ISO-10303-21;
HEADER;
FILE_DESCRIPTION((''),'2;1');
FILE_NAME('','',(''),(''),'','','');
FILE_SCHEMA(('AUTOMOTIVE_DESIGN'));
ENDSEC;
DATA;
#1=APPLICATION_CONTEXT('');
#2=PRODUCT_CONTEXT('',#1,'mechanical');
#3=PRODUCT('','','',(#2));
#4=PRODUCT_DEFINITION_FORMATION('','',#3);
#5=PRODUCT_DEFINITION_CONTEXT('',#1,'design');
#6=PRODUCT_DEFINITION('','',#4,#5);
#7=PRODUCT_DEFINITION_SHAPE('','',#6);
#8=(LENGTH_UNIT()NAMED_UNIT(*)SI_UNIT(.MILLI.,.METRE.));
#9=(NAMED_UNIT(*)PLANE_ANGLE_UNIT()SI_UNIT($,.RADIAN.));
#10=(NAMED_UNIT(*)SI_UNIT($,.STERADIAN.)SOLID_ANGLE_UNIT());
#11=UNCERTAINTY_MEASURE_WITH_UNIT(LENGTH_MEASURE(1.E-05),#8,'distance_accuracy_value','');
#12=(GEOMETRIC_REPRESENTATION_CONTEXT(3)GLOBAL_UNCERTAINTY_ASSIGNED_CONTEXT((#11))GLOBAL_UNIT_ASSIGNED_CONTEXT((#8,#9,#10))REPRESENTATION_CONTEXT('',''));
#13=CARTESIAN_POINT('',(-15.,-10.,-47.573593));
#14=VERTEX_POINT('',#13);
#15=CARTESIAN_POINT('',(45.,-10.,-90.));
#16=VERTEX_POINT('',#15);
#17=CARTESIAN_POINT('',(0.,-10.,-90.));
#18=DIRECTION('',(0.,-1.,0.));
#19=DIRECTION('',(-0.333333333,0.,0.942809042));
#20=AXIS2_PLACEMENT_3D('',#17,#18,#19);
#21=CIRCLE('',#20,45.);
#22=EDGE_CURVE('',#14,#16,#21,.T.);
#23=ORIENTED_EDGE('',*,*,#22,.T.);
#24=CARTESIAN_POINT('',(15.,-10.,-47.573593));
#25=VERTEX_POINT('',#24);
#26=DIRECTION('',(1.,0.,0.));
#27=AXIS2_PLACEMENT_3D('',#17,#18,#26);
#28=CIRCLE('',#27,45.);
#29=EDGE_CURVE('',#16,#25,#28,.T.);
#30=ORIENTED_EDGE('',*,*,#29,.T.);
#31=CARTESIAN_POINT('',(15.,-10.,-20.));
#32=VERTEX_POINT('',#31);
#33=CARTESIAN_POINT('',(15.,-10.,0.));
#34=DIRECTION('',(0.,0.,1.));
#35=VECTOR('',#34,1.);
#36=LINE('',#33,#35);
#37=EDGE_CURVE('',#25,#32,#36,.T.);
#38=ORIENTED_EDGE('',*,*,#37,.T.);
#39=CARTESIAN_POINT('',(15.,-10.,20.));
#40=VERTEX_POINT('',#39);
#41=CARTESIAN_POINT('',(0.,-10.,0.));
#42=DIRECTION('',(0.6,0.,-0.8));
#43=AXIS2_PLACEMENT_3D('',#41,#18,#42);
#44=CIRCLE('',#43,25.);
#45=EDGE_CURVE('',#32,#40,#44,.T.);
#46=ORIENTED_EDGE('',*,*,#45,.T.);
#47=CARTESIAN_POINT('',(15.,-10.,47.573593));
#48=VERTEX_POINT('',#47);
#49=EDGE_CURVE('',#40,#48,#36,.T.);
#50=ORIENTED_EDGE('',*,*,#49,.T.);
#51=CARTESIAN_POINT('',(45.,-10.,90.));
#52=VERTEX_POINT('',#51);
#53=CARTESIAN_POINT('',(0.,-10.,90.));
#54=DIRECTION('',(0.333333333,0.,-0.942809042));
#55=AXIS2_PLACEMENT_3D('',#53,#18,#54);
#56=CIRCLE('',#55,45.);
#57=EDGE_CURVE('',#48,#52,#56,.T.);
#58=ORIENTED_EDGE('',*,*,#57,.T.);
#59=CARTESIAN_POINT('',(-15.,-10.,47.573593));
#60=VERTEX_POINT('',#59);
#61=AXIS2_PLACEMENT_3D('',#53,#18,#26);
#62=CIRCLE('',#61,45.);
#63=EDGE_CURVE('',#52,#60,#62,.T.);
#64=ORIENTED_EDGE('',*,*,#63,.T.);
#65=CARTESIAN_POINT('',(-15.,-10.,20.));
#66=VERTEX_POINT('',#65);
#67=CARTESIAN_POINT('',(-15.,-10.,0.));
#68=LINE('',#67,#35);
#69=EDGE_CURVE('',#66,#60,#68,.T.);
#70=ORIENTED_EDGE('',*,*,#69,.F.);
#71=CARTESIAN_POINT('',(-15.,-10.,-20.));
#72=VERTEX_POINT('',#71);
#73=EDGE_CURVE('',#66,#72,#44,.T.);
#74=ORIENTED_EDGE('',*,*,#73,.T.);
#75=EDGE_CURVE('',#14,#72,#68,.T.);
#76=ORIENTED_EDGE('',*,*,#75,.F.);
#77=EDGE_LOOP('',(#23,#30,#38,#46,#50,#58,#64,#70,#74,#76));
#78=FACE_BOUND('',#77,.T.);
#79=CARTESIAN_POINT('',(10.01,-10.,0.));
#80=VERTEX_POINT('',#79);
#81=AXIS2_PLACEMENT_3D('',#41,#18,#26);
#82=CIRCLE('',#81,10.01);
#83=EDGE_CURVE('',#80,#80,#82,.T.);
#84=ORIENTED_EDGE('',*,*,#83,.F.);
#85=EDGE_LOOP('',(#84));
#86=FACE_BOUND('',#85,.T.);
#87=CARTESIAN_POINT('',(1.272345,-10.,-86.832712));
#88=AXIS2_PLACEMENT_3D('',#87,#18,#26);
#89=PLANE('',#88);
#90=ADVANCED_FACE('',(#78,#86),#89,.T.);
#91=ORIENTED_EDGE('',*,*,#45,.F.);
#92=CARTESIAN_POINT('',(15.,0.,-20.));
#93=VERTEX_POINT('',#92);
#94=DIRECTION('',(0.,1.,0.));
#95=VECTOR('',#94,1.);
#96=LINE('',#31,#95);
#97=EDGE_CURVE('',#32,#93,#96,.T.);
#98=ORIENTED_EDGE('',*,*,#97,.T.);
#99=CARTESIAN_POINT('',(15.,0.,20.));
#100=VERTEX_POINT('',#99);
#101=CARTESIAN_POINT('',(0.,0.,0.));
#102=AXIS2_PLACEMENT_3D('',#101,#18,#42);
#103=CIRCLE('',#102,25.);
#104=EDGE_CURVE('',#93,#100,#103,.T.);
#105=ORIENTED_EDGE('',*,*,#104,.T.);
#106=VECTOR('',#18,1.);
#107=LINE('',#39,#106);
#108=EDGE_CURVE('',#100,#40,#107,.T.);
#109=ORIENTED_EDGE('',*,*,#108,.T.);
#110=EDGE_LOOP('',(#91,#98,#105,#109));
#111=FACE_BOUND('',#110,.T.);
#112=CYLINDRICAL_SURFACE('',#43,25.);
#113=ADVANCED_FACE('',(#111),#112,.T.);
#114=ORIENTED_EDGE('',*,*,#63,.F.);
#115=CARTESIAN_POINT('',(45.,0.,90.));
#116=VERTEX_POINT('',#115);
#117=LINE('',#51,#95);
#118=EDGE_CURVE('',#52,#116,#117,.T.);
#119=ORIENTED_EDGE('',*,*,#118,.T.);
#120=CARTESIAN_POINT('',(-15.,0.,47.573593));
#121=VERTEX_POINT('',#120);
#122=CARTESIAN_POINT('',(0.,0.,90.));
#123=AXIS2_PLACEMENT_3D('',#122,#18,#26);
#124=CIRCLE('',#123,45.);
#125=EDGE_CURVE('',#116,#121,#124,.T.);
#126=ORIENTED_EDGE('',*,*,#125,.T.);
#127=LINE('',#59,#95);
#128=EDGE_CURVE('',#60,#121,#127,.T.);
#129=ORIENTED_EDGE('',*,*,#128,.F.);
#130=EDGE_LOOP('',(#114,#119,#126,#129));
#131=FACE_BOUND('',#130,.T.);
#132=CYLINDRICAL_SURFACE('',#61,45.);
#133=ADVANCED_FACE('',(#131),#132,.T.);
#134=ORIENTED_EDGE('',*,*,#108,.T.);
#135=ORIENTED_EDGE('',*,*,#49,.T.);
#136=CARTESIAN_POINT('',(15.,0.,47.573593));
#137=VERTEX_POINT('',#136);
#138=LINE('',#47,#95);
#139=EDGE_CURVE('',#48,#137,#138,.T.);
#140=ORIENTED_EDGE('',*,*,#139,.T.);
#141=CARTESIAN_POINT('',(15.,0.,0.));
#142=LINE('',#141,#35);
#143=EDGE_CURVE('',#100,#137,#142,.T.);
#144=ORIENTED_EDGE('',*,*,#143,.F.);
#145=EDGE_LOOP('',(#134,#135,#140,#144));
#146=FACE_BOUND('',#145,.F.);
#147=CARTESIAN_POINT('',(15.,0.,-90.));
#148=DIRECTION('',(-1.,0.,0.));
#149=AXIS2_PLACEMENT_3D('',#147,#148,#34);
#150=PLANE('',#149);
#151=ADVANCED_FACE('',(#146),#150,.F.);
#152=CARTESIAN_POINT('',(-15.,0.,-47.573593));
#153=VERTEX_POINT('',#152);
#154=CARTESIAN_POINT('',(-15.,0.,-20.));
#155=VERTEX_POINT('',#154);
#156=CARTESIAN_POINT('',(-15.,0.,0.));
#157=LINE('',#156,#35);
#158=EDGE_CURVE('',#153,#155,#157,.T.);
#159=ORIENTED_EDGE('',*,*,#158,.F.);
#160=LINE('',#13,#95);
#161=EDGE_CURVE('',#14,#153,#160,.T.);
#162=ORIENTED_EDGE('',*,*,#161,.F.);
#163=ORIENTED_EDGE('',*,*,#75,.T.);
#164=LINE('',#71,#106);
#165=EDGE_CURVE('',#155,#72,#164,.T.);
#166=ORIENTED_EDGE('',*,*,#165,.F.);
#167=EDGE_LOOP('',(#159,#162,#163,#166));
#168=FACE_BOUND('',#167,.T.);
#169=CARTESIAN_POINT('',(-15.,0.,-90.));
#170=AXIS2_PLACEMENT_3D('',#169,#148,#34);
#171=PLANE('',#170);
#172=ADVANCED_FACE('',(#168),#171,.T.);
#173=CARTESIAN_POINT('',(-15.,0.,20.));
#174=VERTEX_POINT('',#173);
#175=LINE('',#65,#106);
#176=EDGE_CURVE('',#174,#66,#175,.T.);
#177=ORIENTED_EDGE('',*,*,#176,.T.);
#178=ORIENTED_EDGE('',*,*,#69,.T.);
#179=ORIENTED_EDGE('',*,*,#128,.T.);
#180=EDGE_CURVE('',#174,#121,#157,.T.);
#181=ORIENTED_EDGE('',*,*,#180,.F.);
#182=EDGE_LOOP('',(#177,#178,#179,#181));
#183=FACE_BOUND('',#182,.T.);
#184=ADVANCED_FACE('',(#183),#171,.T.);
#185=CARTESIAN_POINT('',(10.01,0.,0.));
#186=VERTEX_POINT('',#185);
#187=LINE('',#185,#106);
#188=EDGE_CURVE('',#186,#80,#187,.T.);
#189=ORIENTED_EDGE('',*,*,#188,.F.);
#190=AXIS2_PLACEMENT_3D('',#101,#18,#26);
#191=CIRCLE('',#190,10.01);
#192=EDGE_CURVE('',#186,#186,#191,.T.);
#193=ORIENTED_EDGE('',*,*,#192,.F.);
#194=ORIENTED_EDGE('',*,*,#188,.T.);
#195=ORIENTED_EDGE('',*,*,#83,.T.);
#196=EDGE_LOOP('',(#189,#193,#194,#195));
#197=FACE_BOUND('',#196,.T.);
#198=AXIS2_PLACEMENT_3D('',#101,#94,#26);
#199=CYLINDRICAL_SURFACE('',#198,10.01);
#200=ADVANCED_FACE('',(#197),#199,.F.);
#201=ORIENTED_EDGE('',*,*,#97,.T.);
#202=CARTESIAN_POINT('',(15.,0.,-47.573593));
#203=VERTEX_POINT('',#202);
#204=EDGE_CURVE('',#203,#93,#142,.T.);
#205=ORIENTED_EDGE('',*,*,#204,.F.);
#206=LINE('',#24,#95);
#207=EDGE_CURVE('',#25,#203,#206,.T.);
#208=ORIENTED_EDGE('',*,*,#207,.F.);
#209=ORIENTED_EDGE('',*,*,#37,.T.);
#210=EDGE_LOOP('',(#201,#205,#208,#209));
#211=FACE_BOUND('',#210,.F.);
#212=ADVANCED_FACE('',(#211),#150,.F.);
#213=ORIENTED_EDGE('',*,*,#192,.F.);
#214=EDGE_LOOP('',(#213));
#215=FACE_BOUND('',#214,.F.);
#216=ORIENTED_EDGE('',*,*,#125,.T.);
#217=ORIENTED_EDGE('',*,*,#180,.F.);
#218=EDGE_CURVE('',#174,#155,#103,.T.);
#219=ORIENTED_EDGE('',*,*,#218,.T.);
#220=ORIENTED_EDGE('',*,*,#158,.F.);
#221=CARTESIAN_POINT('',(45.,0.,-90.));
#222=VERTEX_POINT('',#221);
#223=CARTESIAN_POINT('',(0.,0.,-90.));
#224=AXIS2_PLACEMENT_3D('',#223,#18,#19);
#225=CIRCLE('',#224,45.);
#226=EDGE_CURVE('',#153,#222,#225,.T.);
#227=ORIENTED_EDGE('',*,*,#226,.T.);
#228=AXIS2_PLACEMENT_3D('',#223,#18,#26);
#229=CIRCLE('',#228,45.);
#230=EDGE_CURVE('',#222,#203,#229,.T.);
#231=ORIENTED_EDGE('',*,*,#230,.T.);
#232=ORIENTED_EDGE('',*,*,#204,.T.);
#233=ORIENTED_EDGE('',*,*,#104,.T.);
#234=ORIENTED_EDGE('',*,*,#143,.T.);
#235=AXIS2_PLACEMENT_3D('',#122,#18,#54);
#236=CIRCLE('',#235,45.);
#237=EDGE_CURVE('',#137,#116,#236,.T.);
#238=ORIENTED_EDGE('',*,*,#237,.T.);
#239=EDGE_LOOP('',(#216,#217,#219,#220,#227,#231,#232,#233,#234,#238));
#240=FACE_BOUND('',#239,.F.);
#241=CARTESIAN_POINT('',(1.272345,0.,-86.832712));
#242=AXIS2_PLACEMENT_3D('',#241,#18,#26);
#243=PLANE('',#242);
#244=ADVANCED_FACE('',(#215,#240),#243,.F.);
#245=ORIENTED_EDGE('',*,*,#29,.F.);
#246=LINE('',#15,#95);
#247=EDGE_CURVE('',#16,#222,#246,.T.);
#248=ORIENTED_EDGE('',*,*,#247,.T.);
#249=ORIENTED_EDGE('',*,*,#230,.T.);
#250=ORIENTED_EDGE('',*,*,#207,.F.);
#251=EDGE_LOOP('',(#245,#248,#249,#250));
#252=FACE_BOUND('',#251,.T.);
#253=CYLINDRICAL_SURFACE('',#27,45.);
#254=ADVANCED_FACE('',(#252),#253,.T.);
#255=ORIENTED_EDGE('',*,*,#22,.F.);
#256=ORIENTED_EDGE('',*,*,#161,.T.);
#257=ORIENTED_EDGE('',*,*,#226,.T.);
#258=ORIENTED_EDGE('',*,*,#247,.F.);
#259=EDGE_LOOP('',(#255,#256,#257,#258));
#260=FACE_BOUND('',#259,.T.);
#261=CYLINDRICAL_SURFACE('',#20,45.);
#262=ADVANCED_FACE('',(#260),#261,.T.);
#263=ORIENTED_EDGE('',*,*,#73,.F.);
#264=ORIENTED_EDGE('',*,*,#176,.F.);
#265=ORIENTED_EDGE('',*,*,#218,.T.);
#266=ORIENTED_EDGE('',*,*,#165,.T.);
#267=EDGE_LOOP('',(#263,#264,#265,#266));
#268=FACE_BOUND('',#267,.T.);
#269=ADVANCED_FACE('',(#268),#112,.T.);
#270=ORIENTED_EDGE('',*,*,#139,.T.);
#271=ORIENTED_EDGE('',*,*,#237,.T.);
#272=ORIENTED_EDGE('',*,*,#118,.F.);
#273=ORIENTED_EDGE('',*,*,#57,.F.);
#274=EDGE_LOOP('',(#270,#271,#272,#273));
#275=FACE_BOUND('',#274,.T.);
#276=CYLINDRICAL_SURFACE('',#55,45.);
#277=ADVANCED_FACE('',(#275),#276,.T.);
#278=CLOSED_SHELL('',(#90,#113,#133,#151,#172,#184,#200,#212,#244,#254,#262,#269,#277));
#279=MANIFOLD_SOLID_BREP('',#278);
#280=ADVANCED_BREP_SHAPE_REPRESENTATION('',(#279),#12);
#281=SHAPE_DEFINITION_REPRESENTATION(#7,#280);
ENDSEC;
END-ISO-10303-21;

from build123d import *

# Parameters (mm, degrees)
F0_W     = 30
F0_H     = 180
F0_R     = 10.01
F1_DEPTH = 10
F2_R     = 10.01
F3_DEPTH = 10
F5_DEPTH = 10


with BuildPart() as f1:
    # F0 (on Front) → F1 (new body)
    with BuildSketch(Plane.XZ):
        Rectangle(F0_W, F0_H)
        Circle(F0_R, mode=Mode.SUBTRACT)
    extrude(amount=F1_DEPTH)

    # F2 (on face) → F3 (join)
    with BuildSketch(Plane.XZ.offset(10)):
        with BuildLine():
            Line((-15, -20), (-15, 20))
            ThreePointArc((-15, 20), (-25, 0), (-15, -20))
        make_face()
        with BuildLine():
            Line((15, -20), (15, 20))
            ThreePointArc((15, 20), (0, 25), (-15, 20))
            Line((-15, 20), (-15, -20))
            ThreePointArc((-15, -20), (0, -25), (15, -20))
        make_face()
        Circle(F2_R, mode=Mode.SUBTRACT)
        with BuildLine():
            ThreePointArc((15, -20), (22.360679775, -11.1803398875), (25, 0))
            ThreePointArc((25, 0), (22.360679775, 11.1803398875), (15, 20))
            Line((15, 20), (15, -20))
        make_face()
    extrude(amount=-F3_DEPTH)

    # F4 (on face) → F5 (join)
    with BuildSketch(Plane.XZ.offset(10)):
        with BuildLine():
            Line((-15, -90), (-15, -47.5735931288))
            ThreePointArc((-15, -47.5735931288), (-25.9807621135, -126.7423461417), (45, -90))
            ThreePointArc((45, -90), (36.7423461417, -64.0192378865), (15, -47.5735931288))
            Line((15, -47.5735931288), (15, -90))
            Line((15, -90), (-15, -90))
        make_face()
        with BuildLine():
            ThreePointArc((15, -47.5735931288), (0, -45), (-15, -47.5735931288))
            Line((-15, -47.5735931288), (-15, -90))
            Line((-15, -90), (15, -90))
            Line((15, -90), (15, -47.5735931288))
        make_face()
        with BuildLine():
            ThreePointArc((15, 47.5735931288), (36.7423461417, 64.0192378865), (45, 90))
            ThreePointArc((45, 90), (-25.9807621135, 126.7423461417), (-15, 47.5735931288))
            Line((-15, 47.5735931288), (-15, 90))
            Line((-15, 90), (15, 90))
            Line((15, 90), (15, 47.5735931288))
        make_face()
        with BuildLine():
            Line((-15, 90), (-15, 47.5735931288))
            ThreePointArc((-15, 47.5735931288), (0, 45), (15, 47.5735931288))
            Line((15, 47.5735931288), (15, 90))
            Line((15, 90), (-15, 90))
        make_face()
    extrude(amount=-F5_DEPTH)


solid = f1.part
